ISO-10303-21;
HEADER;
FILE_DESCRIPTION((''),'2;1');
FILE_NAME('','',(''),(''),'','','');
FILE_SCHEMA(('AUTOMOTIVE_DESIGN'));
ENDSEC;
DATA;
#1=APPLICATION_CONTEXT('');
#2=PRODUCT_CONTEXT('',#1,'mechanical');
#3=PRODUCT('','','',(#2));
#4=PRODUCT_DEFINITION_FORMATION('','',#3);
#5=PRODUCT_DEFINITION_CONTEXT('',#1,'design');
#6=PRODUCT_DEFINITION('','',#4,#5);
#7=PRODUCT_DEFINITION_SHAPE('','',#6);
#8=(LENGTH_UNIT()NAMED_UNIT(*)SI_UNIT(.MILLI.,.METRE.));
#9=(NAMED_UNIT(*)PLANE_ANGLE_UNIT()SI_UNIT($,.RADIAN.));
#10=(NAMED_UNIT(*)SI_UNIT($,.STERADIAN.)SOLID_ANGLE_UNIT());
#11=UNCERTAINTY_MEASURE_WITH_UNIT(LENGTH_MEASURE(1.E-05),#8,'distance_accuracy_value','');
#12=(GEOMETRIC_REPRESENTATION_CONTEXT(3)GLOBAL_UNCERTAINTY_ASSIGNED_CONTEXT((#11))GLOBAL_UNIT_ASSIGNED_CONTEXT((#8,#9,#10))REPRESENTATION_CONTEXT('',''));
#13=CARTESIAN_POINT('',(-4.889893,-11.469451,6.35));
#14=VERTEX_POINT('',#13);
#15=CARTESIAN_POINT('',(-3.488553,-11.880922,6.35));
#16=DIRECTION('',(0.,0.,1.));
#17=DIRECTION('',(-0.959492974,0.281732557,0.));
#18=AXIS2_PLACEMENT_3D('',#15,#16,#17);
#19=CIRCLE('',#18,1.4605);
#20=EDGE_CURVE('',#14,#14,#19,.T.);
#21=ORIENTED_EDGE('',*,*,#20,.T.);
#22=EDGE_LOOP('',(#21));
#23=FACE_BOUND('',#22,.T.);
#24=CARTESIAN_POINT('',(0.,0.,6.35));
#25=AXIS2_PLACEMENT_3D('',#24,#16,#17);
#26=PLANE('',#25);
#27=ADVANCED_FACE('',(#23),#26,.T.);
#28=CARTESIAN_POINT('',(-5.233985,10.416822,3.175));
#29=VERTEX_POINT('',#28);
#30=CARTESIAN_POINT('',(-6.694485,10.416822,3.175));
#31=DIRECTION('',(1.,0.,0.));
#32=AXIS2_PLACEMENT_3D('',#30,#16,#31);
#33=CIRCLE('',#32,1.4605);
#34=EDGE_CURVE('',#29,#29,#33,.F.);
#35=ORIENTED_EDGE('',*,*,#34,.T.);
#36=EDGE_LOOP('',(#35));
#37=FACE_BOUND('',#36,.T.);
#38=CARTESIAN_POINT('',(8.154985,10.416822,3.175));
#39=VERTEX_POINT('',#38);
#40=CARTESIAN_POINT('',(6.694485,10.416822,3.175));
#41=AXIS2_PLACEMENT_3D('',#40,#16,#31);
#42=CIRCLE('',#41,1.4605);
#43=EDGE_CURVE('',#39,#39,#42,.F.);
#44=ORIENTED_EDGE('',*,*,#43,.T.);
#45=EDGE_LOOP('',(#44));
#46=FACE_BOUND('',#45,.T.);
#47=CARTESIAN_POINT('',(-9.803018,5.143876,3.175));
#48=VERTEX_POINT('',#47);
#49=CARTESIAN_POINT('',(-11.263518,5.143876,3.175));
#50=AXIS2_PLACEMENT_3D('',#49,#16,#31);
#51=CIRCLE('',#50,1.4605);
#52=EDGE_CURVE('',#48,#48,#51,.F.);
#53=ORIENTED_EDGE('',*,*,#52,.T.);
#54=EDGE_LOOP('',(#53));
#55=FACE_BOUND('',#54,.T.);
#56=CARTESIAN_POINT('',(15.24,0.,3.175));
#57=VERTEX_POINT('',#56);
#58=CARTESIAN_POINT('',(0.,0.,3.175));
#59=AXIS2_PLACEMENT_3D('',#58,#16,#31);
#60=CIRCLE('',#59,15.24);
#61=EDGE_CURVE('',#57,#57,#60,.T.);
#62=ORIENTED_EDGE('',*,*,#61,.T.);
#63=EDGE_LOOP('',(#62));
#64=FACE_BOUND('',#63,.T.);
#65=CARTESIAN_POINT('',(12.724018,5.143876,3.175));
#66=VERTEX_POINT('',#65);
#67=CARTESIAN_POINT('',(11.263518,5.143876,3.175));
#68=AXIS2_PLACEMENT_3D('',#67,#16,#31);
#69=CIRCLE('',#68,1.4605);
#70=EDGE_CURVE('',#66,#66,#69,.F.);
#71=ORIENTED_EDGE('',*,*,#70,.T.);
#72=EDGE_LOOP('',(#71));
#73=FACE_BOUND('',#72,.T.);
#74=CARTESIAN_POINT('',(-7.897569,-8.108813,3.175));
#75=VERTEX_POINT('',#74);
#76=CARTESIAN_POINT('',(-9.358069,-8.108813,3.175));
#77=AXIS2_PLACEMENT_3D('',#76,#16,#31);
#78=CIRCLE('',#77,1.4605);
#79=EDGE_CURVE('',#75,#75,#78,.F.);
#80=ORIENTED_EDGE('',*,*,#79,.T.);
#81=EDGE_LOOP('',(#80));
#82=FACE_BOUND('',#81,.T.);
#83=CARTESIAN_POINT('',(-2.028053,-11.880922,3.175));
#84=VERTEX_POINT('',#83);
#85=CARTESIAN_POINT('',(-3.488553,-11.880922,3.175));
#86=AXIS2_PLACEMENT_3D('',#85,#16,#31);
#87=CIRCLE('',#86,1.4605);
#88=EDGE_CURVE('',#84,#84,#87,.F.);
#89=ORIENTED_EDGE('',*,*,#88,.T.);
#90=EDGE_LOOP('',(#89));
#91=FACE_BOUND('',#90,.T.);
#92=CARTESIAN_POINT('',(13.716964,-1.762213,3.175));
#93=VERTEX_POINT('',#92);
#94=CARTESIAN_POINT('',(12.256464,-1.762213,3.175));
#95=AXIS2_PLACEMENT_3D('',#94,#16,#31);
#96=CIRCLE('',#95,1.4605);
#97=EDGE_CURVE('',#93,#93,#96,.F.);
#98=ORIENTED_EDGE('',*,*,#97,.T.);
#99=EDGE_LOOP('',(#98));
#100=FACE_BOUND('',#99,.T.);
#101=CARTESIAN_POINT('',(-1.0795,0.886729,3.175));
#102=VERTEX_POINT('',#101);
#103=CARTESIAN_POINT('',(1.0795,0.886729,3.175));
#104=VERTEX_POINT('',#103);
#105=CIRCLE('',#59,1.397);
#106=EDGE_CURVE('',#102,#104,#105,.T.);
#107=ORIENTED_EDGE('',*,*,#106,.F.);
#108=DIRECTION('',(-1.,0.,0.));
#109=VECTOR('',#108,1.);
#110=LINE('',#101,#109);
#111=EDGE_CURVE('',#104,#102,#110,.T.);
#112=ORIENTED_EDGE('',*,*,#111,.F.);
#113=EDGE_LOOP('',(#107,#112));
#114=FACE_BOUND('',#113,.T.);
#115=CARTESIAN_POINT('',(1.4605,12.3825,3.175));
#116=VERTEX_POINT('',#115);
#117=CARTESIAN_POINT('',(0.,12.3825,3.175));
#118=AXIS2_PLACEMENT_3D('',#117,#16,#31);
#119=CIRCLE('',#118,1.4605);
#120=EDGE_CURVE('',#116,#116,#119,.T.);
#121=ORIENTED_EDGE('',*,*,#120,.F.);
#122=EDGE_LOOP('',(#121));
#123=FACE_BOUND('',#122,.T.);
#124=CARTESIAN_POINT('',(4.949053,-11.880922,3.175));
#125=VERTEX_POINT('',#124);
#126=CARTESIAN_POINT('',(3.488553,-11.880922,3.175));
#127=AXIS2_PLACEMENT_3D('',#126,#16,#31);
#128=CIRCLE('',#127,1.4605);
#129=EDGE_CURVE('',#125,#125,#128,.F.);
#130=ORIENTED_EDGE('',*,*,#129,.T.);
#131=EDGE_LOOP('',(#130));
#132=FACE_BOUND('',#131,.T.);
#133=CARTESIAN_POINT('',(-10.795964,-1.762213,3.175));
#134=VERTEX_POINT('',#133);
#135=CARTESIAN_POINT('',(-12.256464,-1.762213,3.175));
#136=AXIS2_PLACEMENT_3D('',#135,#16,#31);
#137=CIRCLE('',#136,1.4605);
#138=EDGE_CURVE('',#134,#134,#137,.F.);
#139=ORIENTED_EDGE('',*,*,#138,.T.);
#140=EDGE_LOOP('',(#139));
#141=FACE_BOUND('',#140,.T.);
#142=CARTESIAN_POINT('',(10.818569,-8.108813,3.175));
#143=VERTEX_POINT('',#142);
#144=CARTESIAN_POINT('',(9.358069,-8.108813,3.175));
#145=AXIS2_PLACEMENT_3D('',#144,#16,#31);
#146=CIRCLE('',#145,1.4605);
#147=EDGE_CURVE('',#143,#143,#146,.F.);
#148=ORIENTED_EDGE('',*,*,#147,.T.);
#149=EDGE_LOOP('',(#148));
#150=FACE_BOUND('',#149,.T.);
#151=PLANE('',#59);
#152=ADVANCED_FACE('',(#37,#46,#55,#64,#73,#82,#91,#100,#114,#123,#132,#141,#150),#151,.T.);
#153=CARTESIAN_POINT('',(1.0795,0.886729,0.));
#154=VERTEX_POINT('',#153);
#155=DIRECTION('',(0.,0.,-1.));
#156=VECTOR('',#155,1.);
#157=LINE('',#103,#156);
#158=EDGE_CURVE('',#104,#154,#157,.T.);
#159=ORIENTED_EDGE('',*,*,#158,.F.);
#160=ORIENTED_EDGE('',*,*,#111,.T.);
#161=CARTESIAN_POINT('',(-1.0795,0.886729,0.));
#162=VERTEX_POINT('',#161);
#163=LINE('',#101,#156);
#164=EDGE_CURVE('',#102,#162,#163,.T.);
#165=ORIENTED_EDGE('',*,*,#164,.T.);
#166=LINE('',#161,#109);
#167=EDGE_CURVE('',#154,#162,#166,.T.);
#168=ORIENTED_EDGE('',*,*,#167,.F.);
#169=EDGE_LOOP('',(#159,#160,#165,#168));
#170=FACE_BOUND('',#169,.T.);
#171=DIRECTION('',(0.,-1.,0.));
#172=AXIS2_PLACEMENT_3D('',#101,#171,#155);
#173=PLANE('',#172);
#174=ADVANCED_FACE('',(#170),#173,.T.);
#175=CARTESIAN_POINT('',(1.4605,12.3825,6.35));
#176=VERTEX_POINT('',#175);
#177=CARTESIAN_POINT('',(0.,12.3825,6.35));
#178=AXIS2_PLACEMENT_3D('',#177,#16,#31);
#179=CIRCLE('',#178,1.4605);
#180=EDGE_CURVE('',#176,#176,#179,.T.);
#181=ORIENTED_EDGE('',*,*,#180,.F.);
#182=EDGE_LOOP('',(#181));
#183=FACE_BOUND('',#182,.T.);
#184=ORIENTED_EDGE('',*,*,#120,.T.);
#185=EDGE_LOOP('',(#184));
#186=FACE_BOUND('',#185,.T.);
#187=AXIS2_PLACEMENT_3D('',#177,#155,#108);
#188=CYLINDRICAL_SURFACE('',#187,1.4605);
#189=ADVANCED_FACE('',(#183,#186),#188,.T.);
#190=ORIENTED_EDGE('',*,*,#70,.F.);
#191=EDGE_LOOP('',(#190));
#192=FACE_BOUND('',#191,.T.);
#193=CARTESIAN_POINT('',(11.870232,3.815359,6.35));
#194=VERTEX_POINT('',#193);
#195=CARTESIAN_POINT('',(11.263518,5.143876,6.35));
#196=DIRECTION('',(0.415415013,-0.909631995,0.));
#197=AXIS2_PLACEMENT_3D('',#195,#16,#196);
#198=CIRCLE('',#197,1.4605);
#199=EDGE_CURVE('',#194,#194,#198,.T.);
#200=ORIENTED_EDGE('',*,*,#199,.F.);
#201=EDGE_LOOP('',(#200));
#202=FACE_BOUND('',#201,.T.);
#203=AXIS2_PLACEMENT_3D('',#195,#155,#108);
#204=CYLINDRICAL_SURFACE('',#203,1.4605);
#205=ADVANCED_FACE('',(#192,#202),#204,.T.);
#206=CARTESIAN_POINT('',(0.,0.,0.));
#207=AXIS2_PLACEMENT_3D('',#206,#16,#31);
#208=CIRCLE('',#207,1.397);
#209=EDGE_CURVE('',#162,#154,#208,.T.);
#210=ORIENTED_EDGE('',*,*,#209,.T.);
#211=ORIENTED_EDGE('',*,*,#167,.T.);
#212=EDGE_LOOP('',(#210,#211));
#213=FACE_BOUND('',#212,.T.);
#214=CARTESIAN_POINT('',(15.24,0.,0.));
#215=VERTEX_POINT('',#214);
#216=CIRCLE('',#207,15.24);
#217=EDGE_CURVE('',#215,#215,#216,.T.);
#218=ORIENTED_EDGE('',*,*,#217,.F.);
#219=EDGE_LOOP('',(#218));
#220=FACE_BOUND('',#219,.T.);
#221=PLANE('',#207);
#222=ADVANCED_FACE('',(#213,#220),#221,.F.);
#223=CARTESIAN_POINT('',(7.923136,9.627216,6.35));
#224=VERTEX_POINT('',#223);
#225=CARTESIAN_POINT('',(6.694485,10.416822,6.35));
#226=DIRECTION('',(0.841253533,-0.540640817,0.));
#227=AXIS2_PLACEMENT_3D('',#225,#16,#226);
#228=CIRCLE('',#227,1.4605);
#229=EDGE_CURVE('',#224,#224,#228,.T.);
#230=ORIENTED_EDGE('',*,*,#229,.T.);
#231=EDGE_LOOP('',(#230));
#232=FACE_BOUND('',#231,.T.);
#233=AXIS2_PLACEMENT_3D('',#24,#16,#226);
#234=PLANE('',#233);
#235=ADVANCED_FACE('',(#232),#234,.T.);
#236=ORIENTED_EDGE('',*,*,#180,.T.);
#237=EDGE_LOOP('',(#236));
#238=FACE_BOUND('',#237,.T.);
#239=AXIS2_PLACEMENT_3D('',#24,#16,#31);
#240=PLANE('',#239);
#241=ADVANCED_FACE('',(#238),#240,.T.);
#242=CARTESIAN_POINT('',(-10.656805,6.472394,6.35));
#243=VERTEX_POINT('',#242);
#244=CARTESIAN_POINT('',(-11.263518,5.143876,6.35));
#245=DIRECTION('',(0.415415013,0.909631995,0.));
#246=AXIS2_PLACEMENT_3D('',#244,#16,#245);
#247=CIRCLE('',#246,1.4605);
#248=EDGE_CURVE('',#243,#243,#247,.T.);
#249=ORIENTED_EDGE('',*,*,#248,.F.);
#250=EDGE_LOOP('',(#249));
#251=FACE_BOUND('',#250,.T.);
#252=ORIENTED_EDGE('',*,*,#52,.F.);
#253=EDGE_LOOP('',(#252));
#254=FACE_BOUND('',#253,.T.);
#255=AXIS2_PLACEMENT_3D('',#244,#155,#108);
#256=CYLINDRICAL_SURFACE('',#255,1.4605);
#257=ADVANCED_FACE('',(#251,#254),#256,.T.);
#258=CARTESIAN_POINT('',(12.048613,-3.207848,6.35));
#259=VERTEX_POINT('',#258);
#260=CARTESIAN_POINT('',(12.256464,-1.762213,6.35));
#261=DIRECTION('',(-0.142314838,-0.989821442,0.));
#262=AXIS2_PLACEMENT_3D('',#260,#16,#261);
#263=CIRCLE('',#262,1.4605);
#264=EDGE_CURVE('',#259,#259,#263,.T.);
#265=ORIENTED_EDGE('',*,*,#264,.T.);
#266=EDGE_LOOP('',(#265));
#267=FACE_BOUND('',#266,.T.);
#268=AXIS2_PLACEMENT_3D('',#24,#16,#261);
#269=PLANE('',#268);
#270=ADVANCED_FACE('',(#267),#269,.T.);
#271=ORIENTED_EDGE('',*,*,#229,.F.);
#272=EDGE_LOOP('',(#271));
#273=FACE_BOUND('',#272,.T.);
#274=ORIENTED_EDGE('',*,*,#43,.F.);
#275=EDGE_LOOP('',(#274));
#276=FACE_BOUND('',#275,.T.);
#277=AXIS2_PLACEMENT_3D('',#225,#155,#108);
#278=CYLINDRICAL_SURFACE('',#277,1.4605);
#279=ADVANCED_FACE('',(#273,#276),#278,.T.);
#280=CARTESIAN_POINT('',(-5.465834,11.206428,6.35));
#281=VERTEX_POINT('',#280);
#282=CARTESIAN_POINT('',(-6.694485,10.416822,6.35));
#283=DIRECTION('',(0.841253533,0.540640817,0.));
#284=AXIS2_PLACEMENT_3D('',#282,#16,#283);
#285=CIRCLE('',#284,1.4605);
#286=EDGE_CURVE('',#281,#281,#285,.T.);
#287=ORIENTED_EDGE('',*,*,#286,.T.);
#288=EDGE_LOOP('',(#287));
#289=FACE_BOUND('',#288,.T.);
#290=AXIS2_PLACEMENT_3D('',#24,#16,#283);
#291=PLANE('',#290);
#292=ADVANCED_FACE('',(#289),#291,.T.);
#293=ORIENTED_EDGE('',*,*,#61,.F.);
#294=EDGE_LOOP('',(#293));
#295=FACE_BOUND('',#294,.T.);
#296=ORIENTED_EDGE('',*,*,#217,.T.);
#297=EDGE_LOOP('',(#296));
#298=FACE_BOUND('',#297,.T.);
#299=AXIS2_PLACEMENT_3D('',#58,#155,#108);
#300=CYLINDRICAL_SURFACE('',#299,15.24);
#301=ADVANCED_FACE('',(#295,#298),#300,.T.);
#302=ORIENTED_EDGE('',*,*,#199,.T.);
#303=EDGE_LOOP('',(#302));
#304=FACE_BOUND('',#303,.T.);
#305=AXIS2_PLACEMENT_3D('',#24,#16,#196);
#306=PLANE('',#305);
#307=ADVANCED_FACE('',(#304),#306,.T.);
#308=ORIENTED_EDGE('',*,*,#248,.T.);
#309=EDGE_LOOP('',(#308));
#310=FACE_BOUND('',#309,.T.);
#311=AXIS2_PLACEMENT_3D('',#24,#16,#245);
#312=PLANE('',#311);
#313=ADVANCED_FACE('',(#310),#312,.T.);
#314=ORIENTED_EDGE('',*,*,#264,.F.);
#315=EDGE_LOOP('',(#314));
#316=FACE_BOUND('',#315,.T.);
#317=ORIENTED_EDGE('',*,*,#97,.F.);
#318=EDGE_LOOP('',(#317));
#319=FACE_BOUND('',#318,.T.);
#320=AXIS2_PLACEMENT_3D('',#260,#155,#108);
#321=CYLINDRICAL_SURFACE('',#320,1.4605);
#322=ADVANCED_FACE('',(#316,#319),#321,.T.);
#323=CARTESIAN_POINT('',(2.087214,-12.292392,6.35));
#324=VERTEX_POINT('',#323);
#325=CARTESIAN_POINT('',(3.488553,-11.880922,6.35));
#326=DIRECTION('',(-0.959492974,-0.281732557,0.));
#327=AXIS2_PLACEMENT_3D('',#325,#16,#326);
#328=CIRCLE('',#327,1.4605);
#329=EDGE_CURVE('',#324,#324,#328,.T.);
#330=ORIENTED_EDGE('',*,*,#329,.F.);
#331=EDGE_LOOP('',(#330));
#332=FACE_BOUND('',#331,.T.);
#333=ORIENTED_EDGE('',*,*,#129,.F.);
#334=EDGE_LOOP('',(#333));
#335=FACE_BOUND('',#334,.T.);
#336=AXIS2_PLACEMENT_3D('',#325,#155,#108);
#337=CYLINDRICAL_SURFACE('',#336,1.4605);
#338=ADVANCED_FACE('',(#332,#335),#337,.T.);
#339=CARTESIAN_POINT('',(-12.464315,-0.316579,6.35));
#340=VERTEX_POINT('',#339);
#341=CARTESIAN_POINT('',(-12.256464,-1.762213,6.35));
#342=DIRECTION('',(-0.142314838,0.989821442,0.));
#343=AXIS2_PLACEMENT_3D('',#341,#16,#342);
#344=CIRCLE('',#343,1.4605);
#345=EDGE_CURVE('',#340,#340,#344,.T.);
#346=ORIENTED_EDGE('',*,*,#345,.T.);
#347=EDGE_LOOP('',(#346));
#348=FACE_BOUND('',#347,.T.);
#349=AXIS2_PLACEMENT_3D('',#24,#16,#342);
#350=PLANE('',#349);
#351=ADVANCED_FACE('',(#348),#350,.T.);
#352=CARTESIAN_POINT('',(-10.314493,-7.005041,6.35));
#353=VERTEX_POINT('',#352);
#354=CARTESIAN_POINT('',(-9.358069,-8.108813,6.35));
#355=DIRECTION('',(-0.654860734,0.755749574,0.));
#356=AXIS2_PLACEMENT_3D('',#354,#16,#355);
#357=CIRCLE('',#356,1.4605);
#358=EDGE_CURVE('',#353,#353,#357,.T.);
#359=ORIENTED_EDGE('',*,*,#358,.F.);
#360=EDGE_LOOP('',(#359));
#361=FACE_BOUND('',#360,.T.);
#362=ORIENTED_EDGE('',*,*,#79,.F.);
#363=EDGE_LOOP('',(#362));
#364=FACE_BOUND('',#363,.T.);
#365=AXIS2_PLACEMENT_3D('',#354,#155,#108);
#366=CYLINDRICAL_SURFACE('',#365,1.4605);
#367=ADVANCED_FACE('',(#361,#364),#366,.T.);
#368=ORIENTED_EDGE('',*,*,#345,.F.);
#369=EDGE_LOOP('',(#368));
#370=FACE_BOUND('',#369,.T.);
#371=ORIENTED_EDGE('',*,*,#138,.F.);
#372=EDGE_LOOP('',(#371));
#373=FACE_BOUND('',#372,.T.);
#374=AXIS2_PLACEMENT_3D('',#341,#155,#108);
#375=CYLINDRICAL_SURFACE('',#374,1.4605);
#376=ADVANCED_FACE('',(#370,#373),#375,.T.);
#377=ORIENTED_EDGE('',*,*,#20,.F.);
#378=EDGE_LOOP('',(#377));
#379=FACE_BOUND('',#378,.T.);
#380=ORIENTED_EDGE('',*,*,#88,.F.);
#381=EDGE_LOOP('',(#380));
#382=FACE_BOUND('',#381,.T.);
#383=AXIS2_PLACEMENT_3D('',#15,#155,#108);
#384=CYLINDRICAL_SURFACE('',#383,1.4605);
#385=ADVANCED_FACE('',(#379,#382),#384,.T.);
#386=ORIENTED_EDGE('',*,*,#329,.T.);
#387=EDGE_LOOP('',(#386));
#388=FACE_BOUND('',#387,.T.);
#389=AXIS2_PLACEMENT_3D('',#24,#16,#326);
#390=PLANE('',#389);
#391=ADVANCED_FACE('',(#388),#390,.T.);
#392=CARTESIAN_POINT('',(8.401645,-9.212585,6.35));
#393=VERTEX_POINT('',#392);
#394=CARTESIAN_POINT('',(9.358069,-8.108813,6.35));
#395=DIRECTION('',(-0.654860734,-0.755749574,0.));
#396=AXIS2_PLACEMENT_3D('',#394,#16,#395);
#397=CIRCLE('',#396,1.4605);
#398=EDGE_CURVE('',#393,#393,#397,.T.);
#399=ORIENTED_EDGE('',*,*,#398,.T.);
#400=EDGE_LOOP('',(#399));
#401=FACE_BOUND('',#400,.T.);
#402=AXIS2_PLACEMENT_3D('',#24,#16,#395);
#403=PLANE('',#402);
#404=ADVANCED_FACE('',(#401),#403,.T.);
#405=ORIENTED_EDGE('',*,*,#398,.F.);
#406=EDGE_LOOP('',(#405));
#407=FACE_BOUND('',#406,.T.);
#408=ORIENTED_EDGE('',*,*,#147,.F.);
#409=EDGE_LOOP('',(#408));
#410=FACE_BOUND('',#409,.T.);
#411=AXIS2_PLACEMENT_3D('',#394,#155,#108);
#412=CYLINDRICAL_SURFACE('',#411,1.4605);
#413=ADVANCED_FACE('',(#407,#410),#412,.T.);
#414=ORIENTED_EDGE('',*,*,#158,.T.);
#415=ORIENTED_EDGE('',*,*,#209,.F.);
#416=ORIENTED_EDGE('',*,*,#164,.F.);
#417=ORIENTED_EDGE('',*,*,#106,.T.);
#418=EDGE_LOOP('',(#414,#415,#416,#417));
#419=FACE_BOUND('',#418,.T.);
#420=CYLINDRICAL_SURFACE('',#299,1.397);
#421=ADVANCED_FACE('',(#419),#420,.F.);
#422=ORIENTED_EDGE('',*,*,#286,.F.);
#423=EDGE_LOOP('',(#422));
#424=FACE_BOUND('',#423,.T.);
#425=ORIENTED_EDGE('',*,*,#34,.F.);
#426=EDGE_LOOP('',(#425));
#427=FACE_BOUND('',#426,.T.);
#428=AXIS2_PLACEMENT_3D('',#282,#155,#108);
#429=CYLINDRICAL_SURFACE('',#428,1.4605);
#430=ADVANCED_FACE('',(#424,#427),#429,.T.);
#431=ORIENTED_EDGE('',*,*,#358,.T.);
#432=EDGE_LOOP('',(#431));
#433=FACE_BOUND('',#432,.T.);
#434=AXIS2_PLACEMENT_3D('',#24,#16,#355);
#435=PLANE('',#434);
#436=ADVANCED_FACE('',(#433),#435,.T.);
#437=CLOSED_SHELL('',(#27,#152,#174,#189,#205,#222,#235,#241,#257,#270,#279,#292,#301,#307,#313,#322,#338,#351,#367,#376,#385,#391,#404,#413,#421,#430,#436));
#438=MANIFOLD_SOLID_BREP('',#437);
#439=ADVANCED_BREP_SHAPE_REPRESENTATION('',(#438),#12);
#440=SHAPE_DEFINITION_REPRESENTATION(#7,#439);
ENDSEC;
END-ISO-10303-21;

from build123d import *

# Parameters (mm, degrees)
SKETCH1_R           = 15.24
SKETCH1_R_2         = 1.4605
BOSS_EXTRUDE1_DEPTH = 3.175
SKETCH1_7_R         = 1.4605
BOSS_EXTRUDE4_DEPTH = 6.35
CIRPATTERN4_COUNT   = 11


with BuildPart() as part:
    # Sketch1 → Boss-Extrude1 (new body)
    with BuildSketch(Plane.XY):
        Circle(SKETCH1_R)
        with Locations((0, 12.3825)):
            Circle(SKETCH1_R_2, mode=Mode.SUBTRACT)
        with BuildLine():
            Line((-1.0795, 0.886729243), (1.0795, 0.886729243))
            ThreePointArc((1.0795, 0.886729243), (0, -1.397), (-1.0795, 0.886729243))
        make_face(mode=Mode.SUBTRACT)
    extrude(amount=BOSS_EXTRUDE1_DEPTH)

    # Sketch1<7> → Boss-Extrude4 (add)
    with BuildSketch(Plane.XY):
        with Locations((0, 12.3825)):
            Circle(SKETCH1_7_R)
    boss_extrude4 = extrude(amount=BOSS_EXTRUDE4_DEPTH)

    # CirPattern4: Boss-Extrude4 ×11 about axis
    cirpattern4_axis = Axis((0, 0, 3.175), (0, 0, -1))
    for i in range(1, CIRPATTERN4_COUNT):
        add(boss_extrude4.rotate(cirpattern4_axis, i * 360 / CIRPATTERN4_COUNT))


solid = part.part
